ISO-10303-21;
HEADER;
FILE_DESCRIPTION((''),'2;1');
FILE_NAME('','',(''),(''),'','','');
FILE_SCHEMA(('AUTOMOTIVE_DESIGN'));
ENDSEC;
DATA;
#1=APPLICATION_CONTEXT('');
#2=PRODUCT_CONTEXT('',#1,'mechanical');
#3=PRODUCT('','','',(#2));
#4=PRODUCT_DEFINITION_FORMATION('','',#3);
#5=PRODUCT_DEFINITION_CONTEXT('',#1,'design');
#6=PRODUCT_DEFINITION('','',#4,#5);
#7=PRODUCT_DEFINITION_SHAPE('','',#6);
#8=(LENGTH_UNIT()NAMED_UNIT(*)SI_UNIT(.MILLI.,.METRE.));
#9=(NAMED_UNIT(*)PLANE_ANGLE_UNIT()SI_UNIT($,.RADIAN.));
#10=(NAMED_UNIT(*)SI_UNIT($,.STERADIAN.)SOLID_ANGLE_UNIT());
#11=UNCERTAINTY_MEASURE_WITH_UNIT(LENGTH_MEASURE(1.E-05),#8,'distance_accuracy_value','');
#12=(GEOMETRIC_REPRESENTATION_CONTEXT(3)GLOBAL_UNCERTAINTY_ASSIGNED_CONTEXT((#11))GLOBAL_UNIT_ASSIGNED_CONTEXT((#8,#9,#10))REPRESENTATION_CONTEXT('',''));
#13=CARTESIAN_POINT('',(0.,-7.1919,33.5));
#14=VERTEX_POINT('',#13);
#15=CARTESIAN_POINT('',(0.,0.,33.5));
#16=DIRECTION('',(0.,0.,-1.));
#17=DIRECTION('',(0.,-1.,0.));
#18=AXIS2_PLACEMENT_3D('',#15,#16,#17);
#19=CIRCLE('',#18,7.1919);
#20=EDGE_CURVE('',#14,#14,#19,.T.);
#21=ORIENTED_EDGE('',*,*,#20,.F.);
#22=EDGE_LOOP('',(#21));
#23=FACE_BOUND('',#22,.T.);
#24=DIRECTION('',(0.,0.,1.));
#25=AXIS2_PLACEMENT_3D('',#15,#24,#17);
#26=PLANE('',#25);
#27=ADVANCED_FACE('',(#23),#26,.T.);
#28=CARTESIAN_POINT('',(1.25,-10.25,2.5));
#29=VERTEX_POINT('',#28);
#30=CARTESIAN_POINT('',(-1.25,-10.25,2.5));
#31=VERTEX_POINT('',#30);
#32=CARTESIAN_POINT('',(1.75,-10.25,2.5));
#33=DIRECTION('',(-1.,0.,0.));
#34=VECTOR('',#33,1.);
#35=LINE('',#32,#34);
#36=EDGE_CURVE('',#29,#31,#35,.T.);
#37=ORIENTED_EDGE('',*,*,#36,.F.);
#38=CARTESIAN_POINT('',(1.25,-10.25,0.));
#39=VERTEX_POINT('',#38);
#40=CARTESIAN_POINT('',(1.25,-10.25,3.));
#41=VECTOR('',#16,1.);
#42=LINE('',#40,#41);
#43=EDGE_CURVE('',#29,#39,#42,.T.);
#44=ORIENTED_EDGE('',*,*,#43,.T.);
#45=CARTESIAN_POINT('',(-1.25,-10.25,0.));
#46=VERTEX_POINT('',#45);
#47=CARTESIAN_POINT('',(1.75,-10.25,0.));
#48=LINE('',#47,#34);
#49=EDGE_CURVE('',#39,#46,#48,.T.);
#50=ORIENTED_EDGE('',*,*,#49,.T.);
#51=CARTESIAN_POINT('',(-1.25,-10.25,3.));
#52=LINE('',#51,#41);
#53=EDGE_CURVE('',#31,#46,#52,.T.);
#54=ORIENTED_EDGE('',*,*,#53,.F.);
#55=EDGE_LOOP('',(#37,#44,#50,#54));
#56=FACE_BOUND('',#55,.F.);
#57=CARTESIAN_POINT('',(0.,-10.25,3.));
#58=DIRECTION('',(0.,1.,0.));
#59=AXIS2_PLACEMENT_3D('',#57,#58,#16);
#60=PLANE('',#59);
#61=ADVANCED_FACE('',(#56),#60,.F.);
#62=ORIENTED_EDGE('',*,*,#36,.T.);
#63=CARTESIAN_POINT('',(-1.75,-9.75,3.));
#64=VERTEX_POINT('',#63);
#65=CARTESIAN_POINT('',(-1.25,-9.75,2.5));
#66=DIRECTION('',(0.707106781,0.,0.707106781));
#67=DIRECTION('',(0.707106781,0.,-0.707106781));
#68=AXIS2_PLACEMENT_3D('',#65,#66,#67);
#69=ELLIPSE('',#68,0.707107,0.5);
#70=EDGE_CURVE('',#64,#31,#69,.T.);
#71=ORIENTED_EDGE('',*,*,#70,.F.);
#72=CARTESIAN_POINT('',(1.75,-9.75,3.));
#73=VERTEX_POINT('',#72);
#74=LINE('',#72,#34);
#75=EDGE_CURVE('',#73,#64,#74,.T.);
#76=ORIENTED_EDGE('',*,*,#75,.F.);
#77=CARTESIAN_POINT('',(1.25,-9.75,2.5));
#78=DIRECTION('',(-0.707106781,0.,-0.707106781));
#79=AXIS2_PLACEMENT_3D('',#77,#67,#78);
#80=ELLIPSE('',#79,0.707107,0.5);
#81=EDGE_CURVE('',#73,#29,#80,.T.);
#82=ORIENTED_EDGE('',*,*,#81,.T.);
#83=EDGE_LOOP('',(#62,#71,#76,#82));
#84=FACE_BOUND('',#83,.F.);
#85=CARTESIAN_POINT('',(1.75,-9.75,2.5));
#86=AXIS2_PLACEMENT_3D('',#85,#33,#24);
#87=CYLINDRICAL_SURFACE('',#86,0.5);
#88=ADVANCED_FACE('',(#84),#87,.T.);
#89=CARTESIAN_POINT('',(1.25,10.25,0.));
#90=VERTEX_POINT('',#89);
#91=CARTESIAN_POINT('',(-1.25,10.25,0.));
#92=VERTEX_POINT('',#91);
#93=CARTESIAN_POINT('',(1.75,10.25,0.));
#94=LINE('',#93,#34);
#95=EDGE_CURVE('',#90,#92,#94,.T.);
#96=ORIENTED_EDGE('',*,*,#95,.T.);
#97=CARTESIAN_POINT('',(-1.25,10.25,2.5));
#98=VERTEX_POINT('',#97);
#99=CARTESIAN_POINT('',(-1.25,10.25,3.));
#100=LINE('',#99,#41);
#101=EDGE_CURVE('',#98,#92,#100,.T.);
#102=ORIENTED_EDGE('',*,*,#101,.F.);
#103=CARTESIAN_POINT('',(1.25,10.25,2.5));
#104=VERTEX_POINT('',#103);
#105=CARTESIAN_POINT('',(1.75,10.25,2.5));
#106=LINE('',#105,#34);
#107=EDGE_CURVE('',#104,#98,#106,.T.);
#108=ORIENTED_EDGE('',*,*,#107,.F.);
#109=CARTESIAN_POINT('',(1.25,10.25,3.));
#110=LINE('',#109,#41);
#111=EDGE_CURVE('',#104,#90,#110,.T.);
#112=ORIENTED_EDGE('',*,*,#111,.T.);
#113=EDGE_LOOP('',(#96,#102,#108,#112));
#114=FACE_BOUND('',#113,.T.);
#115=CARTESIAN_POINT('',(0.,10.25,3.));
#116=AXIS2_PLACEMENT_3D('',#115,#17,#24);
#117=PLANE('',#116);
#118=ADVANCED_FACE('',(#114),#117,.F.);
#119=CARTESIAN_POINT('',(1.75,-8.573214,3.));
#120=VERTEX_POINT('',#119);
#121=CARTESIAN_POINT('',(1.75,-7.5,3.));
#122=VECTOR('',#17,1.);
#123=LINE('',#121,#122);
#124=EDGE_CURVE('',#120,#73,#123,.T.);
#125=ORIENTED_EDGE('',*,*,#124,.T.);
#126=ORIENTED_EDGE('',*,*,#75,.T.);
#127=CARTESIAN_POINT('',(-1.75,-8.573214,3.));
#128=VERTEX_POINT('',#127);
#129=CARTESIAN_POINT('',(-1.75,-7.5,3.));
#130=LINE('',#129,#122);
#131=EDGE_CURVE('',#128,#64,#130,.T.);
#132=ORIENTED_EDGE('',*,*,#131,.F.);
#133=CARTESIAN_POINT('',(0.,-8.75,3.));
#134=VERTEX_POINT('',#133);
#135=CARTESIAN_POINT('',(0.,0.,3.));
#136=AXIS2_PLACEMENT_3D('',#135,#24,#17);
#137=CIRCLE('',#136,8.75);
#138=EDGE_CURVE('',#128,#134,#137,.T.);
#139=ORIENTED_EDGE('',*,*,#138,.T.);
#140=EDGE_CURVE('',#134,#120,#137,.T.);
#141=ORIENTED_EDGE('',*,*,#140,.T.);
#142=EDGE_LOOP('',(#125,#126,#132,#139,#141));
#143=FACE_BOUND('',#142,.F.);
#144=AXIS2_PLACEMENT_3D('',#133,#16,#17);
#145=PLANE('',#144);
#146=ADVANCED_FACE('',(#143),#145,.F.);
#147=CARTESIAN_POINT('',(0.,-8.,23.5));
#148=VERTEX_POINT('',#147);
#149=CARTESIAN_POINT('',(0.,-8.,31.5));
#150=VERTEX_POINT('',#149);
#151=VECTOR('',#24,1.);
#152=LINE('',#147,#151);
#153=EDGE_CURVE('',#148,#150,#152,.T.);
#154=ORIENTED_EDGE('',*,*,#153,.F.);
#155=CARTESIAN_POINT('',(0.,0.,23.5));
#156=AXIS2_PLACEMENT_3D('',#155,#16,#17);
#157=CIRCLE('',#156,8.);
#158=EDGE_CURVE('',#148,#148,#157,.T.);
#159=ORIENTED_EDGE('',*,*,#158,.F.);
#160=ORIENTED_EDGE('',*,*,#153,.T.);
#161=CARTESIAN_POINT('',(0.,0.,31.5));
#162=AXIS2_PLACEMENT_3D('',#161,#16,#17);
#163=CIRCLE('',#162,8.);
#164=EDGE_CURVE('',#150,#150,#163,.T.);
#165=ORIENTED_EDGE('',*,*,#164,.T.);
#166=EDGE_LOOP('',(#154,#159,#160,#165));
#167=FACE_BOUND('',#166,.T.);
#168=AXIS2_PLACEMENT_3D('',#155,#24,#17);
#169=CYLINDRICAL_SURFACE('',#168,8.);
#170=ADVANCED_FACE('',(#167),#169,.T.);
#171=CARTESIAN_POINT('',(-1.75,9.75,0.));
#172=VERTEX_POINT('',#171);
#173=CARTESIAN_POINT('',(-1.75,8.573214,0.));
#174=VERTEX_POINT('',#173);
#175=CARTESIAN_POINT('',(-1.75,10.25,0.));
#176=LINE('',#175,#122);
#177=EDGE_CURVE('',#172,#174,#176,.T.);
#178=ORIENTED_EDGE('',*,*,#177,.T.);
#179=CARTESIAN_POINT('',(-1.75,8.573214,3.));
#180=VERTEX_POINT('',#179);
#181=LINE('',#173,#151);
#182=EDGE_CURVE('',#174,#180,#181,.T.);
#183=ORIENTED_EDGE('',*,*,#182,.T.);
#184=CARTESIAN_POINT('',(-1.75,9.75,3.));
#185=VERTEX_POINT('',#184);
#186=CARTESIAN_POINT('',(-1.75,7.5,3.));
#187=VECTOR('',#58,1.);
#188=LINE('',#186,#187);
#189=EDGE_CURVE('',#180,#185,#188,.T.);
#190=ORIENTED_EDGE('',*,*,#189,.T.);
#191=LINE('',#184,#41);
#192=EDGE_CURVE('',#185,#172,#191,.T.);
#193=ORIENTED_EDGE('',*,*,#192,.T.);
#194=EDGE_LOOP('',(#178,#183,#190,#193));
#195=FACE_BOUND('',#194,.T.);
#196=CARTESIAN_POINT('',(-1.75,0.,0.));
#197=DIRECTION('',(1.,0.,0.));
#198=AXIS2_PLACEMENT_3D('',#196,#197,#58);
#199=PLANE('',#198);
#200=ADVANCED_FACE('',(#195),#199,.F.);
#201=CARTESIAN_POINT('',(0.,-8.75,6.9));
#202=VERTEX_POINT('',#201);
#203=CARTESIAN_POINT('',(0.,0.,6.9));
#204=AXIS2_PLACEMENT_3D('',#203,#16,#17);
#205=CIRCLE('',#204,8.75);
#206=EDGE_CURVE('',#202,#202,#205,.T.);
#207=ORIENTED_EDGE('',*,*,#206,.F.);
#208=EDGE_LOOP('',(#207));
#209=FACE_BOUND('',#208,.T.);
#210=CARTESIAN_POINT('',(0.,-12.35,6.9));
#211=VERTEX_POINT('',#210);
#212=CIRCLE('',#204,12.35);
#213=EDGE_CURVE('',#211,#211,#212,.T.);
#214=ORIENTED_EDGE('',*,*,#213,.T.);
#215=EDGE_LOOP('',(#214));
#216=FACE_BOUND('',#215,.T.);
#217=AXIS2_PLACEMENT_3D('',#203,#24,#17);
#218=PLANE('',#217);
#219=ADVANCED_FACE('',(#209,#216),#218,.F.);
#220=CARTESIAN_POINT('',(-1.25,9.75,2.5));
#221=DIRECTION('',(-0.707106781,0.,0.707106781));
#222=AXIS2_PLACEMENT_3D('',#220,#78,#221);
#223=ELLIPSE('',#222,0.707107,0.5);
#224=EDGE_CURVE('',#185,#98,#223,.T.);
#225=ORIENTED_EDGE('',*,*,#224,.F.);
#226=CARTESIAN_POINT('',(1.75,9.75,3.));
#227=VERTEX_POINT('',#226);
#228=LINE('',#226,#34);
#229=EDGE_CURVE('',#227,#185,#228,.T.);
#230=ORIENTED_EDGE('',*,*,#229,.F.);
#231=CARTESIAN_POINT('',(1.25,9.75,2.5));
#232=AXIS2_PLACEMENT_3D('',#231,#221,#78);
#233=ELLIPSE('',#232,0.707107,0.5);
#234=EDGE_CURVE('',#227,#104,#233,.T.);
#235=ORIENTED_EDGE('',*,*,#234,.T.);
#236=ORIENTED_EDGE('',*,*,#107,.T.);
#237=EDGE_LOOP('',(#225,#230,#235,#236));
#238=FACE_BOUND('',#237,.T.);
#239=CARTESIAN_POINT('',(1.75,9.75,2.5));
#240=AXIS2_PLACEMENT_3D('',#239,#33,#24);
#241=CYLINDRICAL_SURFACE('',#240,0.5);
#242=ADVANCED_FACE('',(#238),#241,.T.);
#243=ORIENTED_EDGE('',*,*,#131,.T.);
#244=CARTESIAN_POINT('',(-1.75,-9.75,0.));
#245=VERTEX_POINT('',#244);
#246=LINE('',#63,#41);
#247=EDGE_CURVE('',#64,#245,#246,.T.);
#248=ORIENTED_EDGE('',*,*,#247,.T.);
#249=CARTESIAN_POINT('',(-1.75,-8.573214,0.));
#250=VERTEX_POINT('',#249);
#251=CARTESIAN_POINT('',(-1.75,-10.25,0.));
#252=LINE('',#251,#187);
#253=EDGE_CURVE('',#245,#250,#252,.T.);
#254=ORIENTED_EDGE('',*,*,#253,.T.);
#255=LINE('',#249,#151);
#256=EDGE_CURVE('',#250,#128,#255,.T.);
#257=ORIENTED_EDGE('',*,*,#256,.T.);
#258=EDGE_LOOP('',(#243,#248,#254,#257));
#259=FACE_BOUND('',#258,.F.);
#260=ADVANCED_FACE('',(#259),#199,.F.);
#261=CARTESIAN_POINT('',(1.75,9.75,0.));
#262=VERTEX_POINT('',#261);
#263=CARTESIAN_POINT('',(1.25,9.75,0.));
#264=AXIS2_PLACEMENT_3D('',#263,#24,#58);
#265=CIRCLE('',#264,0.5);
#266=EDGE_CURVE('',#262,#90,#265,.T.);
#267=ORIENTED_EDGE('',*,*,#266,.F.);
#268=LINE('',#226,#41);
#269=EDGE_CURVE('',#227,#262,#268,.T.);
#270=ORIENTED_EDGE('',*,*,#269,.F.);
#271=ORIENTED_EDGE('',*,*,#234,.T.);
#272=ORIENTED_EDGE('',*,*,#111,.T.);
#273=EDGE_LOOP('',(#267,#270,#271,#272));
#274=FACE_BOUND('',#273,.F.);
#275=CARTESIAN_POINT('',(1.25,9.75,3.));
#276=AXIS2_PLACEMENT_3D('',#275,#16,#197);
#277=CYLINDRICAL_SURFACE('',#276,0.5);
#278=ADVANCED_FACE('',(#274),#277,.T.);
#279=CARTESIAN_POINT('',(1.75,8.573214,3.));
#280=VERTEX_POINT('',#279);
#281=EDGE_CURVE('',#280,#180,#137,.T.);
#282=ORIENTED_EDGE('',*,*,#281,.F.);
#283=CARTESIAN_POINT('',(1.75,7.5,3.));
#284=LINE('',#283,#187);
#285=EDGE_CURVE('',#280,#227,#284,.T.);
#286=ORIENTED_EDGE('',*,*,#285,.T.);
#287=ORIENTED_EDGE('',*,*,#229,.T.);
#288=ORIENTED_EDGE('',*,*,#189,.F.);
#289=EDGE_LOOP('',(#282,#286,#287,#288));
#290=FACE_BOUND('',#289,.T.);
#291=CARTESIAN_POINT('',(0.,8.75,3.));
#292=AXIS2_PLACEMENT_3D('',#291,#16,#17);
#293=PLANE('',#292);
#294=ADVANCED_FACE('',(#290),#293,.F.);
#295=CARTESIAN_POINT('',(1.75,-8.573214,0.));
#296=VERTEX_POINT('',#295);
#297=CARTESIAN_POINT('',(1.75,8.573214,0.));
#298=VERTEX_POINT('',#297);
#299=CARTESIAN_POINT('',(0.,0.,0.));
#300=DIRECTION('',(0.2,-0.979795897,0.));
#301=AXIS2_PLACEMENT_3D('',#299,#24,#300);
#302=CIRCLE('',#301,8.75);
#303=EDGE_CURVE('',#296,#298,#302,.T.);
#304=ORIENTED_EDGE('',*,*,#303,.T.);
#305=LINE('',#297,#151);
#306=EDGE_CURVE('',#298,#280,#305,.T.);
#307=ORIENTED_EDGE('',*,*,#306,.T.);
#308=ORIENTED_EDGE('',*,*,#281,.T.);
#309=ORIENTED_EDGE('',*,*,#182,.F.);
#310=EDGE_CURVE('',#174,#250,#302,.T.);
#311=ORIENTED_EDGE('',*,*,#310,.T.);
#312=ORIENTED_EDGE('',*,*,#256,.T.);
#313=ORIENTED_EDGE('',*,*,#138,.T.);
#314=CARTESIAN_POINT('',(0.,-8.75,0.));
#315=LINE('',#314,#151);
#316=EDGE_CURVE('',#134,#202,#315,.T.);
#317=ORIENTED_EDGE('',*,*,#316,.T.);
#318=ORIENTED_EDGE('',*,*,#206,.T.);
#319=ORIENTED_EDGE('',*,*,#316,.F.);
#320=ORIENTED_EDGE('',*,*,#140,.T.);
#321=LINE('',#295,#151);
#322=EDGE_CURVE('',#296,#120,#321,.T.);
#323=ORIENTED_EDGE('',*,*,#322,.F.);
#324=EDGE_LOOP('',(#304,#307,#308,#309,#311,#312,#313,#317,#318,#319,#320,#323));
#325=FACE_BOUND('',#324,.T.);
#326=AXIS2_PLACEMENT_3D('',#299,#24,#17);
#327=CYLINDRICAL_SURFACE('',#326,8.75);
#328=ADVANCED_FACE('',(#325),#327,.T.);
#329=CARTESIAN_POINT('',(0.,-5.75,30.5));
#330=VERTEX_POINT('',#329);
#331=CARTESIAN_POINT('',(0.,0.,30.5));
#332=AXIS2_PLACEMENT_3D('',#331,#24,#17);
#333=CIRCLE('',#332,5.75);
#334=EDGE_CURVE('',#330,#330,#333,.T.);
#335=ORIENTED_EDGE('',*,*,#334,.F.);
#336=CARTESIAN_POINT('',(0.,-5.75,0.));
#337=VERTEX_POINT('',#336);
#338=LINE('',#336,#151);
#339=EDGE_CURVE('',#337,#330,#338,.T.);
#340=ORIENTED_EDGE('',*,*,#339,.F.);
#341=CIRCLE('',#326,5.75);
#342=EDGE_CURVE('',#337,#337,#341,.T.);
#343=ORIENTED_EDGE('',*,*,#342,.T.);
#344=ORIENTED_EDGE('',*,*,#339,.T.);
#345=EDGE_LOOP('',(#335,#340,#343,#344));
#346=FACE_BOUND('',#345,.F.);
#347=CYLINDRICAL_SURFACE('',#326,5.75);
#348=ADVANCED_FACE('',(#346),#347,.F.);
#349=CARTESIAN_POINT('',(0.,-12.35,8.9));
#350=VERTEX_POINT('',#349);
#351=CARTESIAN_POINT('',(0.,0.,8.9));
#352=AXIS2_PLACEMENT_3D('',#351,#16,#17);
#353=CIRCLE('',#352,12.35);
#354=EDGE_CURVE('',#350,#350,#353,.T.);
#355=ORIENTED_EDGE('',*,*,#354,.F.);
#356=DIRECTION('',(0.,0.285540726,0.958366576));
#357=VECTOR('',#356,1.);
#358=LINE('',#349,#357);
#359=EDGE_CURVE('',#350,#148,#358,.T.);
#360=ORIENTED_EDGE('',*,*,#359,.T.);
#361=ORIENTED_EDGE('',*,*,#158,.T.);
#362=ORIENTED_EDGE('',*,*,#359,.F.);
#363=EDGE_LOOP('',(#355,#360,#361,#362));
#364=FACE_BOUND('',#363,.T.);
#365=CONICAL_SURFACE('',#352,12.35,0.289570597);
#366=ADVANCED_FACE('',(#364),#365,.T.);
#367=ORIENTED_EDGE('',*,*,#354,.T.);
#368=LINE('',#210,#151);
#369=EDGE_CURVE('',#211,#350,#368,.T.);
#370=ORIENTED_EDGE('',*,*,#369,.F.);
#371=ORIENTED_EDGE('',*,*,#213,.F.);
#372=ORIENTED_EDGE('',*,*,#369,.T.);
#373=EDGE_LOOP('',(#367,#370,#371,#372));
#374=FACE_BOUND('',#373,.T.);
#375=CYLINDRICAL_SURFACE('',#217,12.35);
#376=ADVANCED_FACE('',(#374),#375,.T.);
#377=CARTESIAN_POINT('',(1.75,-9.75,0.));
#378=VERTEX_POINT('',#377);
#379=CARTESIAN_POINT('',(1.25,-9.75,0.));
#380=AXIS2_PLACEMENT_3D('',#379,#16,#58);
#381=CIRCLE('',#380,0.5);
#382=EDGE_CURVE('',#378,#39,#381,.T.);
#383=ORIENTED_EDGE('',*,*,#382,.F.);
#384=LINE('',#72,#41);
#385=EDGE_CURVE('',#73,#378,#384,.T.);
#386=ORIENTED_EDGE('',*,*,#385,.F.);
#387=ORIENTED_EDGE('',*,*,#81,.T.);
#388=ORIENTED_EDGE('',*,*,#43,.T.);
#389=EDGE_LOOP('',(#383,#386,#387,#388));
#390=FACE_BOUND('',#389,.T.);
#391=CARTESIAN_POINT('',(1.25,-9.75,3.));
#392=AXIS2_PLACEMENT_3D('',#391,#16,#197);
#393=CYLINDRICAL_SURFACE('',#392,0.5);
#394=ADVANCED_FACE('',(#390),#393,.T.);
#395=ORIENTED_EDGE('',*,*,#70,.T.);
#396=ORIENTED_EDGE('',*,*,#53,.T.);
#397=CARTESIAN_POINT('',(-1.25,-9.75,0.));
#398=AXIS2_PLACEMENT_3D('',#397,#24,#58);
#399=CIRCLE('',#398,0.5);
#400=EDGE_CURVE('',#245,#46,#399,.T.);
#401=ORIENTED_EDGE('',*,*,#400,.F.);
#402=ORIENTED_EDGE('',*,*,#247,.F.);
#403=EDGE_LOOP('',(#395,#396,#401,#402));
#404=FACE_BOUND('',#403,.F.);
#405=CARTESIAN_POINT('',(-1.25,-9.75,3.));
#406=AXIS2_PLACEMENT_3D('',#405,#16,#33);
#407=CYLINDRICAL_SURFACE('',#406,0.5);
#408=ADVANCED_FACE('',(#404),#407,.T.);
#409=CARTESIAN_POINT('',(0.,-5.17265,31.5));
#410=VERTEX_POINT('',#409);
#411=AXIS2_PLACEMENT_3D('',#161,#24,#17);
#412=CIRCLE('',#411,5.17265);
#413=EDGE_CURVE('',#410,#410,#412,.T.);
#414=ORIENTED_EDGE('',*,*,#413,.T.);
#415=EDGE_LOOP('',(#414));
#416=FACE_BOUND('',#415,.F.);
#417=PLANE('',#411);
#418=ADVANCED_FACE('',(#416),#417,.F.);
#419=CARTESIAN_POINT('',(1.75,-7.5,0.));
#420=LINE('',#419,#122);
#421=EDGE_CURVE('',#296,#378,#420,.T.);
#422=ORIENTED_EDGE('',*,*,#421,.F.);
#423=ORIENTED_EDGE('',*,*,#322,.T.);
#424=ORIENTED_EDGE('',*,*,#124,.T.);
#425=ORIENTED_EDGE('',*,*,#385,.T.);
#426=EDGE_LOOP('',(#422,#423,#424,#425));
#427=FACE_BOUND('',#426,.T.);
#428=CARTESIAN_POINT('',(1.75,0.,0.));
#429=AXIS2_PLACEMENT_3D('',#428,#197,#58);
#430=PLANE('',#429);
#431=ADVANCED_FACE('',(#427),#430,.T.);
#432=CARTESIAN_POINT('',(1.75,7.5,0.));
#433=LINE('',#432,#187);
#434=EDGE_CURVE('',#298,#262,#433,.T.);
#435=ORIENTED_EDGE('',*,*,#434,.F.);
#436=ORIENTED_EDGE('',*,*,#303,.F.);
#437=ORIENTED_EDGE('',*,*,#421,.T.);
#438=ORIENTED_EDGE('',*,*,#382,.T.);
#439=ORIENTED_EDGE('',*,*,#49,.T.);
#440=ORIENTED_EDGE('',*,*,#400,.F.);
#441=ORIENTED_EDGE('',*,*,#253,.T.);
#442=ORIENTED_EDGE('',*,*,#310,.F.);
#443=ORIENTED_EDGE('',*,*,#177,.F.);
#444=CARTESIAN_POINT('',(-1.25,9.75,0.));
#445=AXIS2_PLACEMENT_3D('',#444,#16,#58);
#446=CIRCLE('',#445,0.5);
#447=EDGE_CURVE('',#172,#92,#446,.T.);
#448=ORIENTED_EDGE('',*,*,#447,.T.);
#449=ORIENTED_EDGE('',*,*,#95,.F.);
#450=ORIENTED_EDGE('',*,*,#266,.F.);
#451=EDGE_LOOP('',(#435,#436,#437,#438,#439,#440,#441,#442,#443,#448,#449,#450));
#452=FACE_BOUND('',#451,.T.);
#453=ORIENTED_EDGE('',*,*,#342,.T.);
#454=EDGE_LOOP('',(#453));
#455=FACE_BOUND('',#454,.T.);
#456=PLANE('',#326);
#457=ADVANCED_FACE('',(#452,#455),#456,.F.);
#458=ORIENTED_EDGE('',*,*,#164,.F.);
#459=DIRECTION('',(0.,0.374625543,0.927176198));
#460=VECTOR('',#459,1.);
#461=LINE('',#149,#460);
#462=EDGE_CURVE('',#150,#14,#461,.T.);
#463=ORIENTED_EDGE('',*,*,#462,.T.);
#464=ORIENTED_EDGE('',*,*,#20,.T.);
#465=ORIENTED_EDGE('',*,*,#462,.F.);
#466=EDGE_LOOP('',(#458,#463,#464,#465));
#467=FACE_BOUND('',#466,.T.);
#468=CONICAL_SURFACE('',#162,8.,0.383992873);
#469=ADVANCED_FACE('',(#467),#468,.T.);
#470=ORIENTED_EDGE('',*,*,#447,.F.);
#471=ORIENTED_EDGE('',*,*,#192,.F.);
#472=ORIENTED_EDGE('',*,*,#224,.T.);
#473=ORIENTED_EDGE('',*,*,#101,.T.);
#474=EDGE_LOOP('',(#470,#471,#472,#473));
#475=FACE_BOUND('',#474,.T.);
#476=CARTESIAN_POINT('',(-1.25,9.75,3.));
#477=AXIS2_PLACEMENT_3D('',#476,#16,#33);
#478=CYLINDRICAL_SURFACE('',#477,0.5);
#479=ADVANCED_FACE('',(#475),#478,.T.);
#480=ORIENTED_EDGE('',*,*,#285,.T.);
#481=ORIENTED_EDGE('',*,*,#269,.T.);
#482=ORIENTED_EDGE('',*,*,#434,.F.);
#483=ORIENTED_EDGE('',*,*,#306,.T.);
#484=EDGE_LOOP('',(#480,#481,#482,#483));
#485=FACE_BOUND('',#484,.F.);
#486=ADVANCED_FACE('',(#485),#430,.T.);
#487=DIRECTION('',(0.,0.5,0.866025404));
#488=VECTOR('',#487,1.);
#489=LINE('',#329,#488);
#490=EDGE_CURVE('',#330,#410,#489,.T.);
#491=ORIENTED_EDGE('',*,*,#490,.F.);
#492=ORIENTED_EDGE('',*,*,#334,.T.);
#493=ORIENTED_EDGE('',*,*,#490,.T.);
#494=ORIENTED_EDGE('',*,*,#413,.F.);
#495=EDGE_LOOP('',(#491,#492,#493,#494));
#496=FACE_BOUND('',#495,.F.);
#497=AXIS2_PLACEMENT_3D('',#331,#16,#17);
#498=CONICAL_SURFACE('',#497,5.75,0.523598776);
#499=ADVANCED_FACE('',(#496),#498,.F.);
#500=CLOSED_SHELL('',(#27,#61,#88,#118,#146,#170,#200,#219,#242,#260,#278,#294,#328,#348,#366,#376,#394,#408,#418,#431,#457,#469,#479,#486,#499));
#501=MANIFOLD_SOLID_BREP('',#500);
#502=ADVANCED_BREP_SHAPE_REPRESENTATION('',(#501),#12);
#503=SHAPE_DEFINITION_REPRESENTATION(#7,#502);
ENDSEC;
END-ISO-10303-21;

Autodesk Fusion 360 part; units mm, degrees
sketch "Sketch1" plane through (0, 0, 0) normal (1, 0, 0) x (0, 1, 0)
  line L0 (-8.75, 0) -> (-8.75, 6.9)
  line L1 (0, 0) -> (0, 67)
  line L2 (0, 0) -> (-8.75, 0)
  line L3 (-8.75, 6.9) -> (-12.35, 6.9)
  line L4 (-12.35, 6.9) -> (-12.35, 8.9)
  line L5 (-12.35, 8.9) -> (-8, 23.5)
  line L6 (-5.75, 0) -> (-5.75, 31.5)
  line L7 (-5.75, 31.5) -> (0, 31.5)
  line L8 (0, 0) -> (-13.7425, 0)
  line L9 (-8, 23.5) -> (-8, 31.5)
  line L10 (-8, 31.5) -> (-7.1919, 33.5)
  line L11 (-7.1919, 33.5) -> (0, 33.5)
  dimension "d1" = 8.75
  dimension "d2" = 13.7425
  dimension "d3" = 6.9
  dimension "d4" = 3.6
  dimension "d5" = 2
  dimension "d6" = 3
  dimension "d8" = 31.5
  dimension "d10" = 8
  dimension "d11" = 8
  dimension "d13" = 8
  dimension "d25" = 22
  dimension "d26" = 2
  dimension "d27" = 2
revolve "Revolve1" add sketch "Sketch1" angle 360 about axis through (0, 0, 0) along (0, 0, 1) contours L0 L1 L2 L3 L4 L5 L6 L7 L8 L9 L10 L11
sketch "Sketch2" plane through (0, 0, 0) normal (1, 0, 0) x (0, 1, 0)
  line L0 (-8.75, 3) -> (-10.25, 3)
  line L1 (-10.25, 3) -> (-10.25, 0)
  line L2 (-10.25, 0) -> (-8.75, 0)
  line L3 (-8.75, 0) -> (-8.75, 3)
  line L4 (-8.75, 0) -> (-8.75, 6.9)
  line L5 (-8.75, 3) -> (-7.5, 3)
  line L6 (-7.5, 3) -> (-7.5, 0)
  line L7 (-7.5, 0) -> (-8.75, 0)
  line L8 (-8.75, 0) -> (-8.75, 3)
  dimension "d15" = 3
  dimension "d16" = 1.5
extrude "Extrude1" add sketch "Sketch2" along normal mid plane 3.5
mirror "Mirror1" about plane through (0, 0, 0) normal (0, 1, 0) of "Revolve1", "Extrude1"
fillet "Fillet1" radius 0.5 6 edges at (-1.75, -10.25, 1.5) (0, -10.25, 3) (1.75, -10.25, 1.5) (1.75, 10.25, 1.5) (0, 10.25, 3) (-1.75, 10.25, 1.5)
chamfer "Chamfer1" distance 1 angle 30 1 edges at (-5.3609, -2.0793, 31.5) measured on face at (-0.5725, -5.7214, 21)
equation "d1 = ( 17.5 / 2 ) * 1 mm"
equation "d17 = ( 3.5 / 2 ) * 1 mm"
